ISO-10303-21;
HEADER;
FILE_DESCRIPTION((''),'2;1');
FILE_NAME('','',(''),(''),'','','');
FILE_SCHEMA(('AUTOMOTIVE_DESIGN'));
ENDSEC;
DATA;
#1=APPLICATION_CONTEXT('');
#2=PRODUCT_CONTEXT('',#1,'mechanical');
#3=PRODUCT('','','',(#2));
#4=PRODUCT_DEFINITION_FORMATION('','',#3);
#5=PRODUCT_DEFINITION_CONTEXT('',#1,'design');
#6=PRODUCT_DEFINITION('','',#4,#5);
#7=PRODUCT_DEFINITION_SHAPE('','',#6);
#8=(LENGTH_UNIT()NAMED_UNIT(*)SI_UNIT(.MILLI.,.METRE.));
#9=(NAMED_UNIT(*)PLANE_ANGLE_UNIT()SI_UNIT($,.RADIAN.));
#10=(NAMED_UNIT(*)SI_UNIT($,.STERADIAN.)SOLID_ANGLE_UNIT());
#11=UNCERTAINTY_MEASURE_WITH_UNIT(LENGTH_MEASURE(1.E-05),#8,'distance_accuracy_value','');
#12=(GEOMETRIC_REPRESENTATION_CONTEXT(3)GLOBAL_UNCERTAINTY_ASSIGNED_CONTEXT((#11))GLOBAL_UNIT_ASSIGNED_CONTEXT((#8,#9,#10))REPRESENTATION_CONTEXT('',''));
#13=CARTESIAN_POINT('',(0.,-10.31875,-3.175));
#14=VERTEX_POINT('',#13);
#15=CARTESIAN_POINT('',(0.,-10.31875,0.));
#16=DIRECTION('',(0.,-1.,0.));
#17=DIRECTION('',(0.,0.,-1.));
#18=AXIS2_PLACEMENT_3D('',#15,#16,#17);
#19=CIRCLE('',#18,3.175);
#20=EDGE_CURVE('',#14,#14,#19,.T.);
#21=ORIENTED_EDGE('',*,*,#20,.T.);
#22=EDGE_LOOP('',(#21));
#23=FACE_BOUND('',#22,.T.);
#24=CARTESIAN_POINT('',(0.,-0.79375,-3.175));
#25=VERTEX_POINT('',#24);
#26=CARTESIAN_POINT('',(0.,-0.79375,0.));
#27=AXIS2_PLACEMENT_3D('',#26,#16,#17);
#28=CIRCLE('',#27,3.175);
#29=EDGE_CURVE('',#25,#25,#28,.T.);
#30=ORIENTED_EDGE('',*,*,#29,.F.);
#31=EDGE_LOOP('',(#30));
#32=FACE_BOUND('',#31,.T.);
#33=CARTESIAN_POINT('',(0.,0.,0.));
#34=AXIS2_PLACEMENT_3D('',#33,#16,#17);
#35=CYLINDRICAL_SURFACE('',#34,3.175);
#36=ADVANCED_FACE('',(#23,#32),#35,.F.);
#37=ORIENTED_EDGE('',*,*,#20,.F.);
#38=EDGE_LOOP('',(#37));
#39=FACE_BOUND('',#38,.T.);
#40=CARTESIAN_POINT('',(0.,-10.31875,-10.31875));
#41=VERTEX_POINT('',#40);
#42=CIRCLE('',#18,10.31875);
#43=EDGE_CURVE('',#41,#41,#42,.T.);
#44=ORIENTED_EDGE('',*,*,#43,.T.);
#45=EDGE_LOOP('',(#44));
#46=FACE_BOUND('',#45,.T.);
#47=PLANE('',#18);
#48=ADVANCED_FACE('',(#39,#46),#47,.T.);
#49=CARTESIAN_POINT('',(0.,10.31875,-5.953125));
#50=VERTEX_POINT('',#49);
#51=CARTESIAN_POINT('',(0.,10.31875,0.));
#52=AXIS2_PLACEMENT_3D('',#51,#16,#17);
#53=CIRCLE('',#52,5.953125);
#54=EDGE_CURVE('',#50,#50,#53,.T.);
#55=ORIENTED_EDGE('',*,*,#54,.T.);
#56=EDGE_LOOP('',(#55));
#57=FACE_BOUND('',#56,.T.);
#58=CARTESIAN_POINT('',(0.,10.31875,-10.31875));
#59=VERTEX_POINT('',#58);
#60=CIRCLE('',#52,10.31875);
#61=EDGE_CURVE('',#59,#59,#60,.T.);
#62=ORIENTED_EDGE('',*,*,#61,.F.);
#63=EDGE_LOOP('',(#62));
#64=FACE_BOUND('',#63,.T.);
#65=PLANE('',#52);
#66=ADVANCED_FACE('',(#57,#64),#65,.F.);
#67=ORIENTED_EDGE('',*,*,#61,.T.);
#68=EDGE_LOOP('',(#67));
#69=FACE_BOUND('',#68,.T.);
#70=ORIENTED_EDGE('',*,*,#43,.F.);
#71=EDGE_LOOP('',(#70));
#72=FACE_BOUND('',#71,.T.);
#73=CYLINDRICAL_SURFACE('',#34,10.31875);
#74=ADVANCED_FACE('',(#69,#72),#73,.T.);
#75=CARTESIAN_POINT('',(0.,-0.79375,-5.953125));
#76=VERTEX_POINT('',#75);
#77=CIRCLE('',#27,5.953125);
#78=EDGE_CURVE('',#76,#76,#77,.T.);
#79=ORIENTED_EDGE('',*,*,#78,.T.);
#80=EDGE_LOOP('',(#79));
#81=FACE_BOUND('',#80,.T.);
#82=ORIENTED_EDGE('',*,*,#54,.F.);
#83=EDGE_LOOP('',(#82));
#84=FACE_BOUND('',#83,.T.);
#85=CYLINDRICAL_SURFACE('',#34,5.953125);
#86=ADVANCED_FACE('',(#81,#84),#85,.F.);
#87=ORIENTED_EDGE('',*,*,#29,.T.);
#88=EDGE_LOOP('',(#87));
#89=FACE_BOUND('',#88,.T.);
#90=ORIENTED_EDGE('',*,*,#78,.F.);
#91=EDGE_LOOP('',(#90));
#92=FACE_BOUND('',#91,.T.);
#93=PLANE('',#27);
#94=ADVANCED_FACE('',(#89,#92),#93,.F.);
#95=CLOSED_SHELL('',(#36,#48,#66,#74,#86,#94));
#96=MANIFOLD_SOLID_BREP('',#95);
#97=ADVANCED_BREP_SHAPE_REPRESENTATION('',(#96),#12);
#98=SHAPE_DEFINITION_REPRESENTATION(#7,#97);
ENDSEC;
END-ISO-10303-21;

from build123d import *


with BuildPart() as part:
    # Sketch2 → Revolve1 (revolve)
    with BuildSketch(Plane.XY):
        Polygon((3.175, -0.79375), (3.175, -10.31875), (10.31875, -10.31875), (10.31875, 10.31875), (5.953125, 10.31875), (5.953125, -0.79375), align=None)
    revolve(axis=Axis((0, 0, 0), (0, 1, 0)))


solid = part.part
